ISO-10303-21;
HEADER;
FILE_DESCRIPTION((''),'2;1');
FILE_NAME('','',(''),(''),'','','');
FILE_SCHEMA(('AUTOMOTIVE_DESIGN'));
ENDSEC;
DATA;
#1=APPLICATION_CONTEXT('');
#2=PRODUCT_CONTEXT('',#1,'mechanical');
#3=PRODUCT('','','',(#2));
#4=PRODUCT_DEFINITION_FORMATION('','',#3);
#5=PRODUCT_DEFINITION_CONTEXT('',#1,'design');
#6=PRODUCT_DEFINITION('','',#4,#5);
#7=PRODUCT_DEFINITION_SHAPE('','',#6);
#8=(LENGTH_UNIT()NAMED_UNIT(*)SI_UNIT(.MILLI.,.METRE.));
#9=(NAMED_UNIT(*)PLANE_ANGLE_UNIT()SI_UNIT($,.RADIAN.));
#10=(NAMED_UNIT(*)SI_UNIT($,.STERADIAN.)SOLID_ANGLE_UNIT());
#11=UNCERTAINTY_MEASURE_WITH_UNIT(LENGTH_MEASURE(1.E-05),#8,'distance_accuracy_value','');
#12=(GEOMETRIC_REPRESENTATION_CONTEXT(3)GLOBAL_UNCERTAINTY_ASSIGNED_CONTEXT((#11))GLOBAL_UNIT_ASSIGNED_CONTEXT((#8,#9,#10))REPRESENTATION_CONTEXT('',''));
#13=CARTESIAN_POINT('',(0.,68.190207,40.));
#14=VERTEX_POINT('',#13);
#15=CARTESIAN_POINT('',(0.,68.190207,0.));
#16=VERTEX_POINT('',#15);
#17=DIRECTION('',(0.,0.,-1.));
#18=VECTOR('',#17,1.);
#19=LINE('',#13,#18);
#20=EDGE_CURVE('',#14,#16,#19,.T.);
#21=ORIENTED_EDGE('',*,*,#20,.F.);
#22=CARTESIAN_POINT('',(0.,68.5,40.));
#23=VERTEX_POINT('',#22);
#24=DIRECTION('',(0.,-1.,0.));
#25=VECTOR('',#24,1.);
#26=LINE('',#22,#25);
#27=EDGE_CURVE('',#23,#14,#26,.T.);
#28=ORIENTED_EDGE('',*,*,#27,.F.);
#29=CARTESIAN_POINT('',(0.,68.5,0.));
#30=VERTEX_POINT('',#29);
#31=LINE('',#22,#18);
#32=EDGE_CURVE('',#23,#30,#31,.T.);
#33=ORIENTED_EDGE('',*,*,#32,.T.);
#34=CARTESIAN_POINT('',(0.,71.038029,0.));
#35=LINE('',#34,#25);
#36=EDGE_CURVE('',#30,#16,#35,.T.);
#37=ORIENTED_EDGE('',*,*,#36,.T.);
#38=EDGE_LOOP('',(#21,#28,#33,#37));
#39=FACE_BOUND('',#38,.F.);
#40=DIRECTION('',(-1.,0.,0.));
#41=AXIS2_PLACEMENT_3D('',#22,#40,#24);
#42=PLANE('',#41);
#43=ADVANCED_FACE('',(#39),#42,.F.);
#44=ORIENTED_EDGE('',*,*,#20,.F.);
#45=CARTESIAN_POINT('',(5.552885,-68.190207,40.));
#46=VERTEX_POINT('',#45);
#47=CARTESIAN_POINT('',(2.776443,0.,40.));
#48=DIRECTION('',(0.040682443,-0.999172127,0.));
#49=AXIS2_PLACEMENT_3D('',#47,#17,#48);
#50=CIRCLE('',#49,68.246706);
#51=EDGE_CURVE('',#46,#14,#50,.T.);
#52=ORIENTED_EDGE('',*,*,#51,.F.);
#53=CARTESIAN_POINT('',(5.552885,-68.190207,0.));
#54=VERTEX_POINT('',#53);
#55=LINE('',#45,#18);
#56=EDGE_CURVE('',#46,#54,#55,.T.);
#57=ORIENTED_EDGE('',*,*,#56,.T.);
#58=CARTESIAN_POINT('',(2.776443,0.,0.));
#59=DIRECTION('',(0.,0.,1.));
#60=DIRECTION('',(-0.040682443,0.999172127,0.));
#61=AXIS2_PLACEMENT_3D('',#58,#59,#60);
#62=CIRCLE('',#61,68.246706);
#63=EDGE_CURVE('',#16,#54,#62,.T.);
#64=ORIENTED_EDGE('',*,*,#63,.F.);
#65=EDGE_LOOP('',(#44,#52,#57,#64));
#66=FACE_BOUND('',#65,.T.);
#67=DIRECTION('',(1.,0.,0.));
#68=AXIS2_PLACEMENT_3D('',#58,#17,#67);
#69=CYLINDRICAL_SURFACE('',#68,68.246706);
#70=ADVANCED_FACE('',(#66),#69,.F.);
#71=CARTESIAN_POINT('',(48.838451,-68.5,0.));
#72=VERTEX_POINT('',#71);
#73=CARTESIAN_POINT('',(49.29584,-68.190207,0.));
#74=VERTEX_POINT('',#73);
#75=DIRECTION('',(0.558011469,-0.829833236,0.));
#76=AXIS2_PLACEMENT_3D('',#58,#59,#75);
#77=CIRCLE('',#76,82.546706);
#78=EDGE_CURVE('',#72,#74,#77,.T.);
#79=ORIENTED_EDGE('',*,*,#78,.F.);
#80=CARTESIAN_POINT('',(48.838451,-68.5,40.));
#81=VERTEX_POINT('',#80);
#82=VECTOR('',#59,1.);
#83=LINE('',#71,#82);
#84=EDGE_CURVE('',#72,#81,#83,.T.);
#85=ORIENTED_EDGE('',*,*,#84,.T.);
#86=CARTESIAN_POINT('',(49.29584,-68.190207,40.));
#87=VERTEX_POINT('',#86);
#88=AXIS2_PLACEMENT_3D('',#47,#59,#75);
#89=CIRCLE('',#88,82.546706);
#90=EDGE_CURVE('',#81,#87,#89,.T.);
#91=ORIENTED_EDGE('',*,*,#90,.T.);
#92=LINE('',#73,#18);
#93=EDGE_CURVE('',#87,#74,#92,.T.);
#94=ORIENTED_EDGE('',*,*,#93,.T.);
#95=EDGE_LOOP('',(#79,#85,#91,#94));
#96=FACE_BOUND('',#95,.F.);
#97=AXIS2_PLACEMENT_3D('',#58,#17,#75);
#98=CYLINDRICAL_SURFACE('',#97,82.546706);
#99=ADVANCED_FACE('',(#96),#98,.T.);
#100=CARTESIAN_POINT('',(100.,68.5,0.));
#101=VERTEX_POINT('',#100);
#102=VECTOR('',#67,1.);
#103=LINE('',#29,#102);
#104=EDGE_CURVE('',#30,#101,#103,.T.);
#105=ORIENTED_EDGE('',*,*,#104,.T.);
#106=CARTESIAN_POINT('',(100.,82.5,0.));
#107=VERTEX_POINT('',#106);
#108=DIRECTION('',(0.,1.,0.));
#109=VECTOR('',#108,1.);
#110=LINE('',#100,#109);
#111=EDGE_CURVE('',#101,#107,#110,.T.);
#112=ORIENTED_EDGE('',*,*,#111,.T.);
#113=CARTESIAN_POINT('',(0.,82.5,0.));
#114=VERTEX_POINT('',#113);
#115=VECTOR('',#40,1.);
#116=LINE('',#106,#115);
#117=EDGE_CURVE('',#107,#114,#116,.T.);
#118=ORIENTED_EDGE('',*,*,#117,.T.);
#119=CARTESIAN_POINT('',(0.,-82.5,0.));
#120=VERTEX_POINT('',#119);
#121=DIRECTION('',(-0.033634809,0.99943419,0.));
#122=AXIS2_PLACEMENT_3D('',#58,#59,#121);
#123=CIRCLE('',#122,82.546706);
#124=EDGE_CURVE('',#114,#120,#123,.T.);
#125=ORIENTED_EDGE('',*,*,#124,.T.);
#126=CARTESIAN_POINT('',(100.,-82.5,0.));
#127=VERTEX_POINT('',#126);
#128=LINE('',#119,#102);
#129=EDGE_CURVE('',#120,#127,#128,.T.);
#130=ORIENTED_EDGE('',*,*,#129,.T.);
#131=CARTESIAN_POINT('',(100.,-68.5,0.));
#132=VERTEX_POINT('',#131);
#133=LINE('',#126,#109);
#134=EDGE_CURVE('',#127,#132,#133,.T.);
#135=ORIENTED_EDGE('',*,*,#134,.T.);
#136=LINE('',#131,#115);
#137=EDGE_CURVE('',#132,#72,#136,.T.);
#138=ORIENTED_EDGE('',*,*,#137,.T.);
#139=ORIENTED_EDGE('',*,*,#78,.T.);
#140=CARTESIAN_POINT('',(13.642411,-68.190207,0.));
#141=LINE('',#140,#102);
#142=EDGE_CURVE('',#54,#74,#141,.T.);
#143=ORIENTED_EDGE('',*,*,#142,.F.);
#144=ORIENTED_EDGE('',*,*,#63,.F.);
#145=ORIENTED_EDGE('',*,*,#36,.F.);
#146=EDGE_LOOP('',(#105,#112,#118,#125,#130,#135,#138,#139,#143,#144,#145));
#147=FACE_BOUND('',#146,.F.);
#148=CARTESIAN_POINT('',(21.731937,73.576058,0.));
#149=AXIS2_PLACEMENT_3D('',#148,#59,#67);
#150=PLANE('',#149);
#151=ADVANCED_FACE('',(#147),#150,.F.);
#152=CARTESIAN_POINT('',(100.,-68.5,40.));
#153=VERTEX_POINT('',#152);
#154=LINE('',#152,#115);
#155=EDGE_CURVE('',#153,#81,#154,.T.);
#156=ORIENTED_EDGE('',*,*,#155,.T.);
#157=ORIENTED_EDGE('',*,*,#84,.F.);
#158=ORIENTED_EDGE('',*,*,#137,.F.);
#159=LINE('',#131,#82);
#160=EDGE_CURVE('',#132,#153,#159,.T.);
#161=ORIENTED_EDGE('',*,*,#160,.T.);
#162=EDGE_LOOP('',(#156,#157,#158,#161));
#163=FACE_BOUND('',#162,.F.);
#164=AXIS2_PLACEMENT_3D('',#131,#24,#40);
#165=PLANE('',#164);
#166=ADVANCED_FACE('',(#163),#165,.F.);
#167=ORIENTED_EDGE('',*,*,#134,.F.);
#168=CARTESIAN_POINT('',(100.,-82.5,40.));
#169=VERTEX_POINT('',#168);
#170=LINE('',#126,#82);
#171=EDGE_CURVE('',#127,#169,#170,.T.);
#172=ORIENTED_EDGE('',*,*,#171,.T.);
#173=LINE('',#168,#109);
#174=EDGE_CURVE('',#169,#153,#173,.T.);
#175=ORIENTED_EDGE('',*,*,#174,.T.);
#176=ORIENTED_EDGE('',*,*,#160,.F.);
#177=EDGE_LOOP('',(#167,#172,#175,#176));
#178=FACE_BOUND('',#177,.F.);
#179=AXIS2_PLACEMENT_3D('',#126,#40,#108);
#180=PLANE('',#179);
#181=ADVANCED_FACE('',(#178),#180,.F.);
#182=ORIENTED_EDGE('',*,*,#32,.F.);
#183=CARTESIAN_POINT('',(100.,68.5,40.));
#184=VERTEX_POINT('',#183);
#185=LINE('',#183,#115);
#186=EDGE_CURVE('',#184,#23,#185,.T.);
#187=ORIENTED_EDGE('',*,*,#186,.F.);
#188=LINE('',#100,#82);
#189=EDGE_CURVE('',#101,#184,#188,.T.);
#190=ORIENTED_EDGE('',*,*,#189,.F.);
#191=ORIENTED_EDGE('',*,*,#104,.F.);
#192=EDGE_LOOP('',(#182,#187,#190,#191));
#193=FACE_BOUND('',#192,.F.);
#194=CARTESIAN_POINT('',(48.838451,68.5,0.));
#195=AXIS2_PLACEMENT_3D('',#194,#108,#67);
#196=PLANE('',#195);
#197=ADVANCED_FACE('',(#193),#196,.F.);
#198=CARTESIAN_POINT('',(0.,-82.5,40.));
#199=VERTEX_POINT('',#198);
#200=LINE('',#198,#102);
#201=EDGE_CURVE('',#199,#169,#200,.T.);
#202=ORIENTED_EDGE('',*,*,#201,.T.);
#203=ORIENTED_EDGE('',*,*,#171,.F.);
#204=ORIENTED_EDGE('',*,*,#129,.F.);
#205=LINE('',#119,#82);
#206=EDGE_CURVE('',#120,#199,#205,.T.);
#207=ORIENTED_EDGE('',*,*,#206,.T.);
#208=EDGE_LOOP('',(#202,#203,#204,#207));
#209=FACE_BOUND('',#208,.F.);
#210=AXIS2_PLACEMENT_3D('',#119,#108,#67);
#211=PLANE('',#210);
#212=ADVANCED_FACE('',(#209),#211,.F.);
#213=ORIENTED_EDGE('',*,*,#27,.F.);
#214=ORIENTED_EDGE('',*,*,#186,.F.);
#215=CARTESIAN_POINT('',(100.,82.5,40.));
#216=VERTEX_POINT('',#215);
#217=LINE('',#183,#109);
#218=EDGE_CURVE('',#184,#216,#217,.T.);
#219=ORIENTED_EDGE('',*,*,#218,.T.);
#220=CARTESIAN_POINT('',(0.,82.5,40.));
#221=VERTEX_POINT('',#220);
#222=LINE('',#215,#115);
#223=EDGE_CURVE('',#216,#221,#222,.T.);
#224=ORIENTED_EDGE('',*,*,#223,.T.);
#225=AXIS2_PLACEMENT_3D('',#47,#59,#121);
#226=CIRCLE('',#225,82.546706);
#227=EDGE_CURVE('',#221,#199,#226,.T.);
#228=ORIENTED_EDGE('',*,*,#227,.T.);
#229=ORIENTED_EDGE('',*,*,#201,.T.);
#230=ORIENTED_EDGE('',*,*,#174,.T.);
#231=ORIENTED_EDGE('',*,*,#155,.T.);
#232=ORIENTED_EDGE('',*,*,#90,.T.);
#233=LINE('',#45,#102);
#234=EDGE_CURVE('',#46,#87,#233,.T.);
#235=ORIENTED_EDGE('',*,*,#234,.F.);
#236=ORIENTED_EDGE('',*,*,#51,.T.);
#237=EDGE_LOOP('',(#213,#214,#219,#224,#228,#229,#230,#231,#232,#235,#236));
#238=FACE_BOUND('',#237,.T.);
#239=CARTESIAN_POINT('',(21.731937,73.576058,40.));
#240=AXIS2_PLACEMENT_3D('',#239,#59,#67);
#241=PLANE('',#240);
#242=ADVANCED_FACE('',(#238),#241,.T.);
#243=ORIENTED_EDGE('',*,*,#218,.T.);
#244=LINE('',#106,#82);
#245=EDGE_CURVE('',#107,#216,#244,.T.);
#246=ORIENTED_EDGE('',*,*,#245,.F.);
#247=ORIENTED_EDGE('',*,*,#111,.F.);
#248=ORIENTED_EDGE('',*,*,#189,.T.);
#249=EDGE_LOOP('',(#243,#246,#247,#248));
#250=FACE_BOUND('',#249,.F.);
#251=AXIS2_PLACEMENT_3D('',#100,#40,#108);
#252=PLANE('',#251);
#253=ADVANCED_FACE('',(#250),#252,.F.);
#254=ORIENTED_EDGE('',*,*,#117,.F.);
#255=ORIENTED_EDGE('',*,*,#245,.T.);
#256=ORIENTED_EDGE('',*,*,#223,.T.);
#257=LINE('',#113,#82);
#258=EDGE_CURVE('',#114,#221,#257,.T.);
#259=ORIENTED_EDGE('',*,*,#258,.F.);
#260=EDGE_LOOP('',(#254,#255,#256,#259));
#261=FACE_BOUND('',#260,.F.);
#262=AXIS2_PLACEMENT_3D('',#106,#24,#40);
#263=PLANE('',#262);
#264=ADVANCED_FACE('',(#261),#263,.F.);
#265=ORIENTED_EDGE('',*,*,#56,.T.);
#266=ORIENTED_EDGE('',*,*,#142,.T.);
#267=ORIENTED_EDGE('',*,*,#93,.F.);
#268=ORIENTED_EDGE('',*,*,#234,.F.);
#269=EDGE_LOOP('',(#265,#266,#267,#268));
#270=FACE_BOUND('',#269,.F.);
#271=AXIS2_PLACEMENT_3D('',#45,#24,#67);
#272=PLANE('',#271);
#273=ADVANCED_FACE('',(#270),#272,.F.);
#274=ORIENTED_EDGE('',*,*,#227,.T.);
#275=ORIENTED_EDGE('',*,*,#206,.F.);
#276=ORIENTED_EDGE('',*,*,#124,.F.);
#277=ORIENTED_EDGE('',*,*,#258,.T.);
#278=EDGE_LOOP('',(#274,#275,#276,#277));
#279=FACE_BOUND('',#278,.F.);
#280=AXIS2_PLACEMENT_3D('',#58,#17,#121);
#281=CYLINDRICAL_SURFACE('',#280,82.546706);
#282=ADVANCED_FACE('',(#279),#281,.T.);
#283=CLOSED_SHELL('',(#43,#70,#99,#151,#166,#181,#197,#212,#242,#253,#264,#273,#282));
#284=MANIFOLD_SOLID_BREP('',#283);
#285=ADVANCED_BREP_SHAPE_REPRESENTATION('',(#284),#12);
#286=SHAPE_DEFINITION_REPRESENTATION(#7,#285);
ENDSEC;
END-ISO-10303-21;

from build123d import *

# Parameters (mm, degrees)
F0_R     = 68.2467062122
F1_DEPTH = 40
F3_DEPTH = 43.6


with BuildPart() as f1:
    # F0 (on Top) → F1 (new body)
    with BuildSketch(Plane.XY):
        with BuildLine():
            Line((5.5528854289, 82.5), (0, 82.5))
            Line((0, 82.5), (0, 68.5))
            Line((0, 68.5), (48.8384512914, 68.5))
            ThreePointArc((48.8384512914, 68.5), (28.1791705431, 78.5408177511), (5.5528854289, 82.5))
        make_face()
        with BuildLine():
            Line((100, 82.5), (5.5528854289, 82.5))
            ThreePointArc((5.5528854289, 82.5), (28.1791705431, 78.5408177511), (48.8384512914, 68.5))
            Line((48.8384512914, 68.5), (100, 68.5))
            Line((100, 68.5), (100, 82.5))
        make_face()
        with BuildLine():
            ThreePointArc((48.8384512914, -68.5), (28.1791705431, -78.5408177511), (5.5528854289, -82.5))
            Line((5.5528854289, -82.5), (100, -82.5))
            Line((100, -82.5), (100, -68.5))
            Line((100, -68.5), (48.8384512914, -68.5))
        make_face()
        with BuildLine():
            Line((0, -68.5), (0, -82.5))
            Line((0, -82.5), (5.5528854289, -82.5))
            ThreePointArc((5.5528854289, -82.5), (28.1791705431, -78.5408177511), (48.8384512914, -68.5))
            Line((48.8384512914, -68.5), (0, -68.5))
        make_face()
        with BuildLine():
            Line((0, 68.5), (0, 82.5))
            ThreePointArc((0, 82.5), (-79.7702630596, 0), (0, -82.5))
            Line((0, -82.5), (0, -68.5))
            Line((0, -68.5), (48.8384512914, -68.5))
            ThreePointArc((48.8384512914, -68.5), (75.6332395954, -38.8052288022), (85.3231484885, 0))
            ThreePointArc((85.3231484885, 0), (75.6332395954, 38.8052288022), (48.8384512914, 68.5))
            Line((48.8384512914, 68.5), (0, 68.5))
        make_face()
        with Locations((2.7764427144, 0)):
            Circle(F0_R, mode=Mode.SUBTRACT)
    extrude(amount=F1_DEPTH)

    # F2 (on face) → F3 (cut)
    with BuildSketch(Plane.XY.offset(40)):
        with BuildLine():
            Line((128.2525956631, -68.1902065891), (128.2525956631, 68.5))
            Line((128.2525956631, 68.5), (100, 68.5))
            Line((100, 68.5), (48.8384512914, 68.5))
            ThreePointArc((48.8384512914, 68.5), (85.3226863598, 0.2762140197), (49.2958403833, -68.1902065891))
            Line((49.2958403833, -68.1902065891), (128.2525956631, -68.1902065891))
        make_face()
        with BuildLine():
            ThreePointArc((0, -68.1902065891), (2.7764427144, -68.2467062122), (5.5528854289, -68.1902065891))
            Line((5.5528854289, -68.1902065891), (0, -68.1902065891))
        make_face()
        with BuildLine():
            ThreePointArc((49.2958403833, -68.1902065891), (85.3226863598, 0.2762140197), (48.8384512914, 68.5))
            Line((48.8384512914, 68.5), (0, 68.5))
            Line((0, 68.5), (0, 68.1902065891))
            ThreePointArc((0, 68.1902065891), (50.0423386573, 49.2295438688), (71.0231489266, 0))
            ThreePointArc((71.0231489266, 0), (52.0059865833, -47.2658959429), (5.5528854289, -68.1902065891))
            Line((5.5528854289, -68.1902065891), (49.2958403833, -68.1902065891))
        make_face()
    extrude(amount=-F3_DEPTH, mode=Mode.SUBTRACT)


solid = f1.part
